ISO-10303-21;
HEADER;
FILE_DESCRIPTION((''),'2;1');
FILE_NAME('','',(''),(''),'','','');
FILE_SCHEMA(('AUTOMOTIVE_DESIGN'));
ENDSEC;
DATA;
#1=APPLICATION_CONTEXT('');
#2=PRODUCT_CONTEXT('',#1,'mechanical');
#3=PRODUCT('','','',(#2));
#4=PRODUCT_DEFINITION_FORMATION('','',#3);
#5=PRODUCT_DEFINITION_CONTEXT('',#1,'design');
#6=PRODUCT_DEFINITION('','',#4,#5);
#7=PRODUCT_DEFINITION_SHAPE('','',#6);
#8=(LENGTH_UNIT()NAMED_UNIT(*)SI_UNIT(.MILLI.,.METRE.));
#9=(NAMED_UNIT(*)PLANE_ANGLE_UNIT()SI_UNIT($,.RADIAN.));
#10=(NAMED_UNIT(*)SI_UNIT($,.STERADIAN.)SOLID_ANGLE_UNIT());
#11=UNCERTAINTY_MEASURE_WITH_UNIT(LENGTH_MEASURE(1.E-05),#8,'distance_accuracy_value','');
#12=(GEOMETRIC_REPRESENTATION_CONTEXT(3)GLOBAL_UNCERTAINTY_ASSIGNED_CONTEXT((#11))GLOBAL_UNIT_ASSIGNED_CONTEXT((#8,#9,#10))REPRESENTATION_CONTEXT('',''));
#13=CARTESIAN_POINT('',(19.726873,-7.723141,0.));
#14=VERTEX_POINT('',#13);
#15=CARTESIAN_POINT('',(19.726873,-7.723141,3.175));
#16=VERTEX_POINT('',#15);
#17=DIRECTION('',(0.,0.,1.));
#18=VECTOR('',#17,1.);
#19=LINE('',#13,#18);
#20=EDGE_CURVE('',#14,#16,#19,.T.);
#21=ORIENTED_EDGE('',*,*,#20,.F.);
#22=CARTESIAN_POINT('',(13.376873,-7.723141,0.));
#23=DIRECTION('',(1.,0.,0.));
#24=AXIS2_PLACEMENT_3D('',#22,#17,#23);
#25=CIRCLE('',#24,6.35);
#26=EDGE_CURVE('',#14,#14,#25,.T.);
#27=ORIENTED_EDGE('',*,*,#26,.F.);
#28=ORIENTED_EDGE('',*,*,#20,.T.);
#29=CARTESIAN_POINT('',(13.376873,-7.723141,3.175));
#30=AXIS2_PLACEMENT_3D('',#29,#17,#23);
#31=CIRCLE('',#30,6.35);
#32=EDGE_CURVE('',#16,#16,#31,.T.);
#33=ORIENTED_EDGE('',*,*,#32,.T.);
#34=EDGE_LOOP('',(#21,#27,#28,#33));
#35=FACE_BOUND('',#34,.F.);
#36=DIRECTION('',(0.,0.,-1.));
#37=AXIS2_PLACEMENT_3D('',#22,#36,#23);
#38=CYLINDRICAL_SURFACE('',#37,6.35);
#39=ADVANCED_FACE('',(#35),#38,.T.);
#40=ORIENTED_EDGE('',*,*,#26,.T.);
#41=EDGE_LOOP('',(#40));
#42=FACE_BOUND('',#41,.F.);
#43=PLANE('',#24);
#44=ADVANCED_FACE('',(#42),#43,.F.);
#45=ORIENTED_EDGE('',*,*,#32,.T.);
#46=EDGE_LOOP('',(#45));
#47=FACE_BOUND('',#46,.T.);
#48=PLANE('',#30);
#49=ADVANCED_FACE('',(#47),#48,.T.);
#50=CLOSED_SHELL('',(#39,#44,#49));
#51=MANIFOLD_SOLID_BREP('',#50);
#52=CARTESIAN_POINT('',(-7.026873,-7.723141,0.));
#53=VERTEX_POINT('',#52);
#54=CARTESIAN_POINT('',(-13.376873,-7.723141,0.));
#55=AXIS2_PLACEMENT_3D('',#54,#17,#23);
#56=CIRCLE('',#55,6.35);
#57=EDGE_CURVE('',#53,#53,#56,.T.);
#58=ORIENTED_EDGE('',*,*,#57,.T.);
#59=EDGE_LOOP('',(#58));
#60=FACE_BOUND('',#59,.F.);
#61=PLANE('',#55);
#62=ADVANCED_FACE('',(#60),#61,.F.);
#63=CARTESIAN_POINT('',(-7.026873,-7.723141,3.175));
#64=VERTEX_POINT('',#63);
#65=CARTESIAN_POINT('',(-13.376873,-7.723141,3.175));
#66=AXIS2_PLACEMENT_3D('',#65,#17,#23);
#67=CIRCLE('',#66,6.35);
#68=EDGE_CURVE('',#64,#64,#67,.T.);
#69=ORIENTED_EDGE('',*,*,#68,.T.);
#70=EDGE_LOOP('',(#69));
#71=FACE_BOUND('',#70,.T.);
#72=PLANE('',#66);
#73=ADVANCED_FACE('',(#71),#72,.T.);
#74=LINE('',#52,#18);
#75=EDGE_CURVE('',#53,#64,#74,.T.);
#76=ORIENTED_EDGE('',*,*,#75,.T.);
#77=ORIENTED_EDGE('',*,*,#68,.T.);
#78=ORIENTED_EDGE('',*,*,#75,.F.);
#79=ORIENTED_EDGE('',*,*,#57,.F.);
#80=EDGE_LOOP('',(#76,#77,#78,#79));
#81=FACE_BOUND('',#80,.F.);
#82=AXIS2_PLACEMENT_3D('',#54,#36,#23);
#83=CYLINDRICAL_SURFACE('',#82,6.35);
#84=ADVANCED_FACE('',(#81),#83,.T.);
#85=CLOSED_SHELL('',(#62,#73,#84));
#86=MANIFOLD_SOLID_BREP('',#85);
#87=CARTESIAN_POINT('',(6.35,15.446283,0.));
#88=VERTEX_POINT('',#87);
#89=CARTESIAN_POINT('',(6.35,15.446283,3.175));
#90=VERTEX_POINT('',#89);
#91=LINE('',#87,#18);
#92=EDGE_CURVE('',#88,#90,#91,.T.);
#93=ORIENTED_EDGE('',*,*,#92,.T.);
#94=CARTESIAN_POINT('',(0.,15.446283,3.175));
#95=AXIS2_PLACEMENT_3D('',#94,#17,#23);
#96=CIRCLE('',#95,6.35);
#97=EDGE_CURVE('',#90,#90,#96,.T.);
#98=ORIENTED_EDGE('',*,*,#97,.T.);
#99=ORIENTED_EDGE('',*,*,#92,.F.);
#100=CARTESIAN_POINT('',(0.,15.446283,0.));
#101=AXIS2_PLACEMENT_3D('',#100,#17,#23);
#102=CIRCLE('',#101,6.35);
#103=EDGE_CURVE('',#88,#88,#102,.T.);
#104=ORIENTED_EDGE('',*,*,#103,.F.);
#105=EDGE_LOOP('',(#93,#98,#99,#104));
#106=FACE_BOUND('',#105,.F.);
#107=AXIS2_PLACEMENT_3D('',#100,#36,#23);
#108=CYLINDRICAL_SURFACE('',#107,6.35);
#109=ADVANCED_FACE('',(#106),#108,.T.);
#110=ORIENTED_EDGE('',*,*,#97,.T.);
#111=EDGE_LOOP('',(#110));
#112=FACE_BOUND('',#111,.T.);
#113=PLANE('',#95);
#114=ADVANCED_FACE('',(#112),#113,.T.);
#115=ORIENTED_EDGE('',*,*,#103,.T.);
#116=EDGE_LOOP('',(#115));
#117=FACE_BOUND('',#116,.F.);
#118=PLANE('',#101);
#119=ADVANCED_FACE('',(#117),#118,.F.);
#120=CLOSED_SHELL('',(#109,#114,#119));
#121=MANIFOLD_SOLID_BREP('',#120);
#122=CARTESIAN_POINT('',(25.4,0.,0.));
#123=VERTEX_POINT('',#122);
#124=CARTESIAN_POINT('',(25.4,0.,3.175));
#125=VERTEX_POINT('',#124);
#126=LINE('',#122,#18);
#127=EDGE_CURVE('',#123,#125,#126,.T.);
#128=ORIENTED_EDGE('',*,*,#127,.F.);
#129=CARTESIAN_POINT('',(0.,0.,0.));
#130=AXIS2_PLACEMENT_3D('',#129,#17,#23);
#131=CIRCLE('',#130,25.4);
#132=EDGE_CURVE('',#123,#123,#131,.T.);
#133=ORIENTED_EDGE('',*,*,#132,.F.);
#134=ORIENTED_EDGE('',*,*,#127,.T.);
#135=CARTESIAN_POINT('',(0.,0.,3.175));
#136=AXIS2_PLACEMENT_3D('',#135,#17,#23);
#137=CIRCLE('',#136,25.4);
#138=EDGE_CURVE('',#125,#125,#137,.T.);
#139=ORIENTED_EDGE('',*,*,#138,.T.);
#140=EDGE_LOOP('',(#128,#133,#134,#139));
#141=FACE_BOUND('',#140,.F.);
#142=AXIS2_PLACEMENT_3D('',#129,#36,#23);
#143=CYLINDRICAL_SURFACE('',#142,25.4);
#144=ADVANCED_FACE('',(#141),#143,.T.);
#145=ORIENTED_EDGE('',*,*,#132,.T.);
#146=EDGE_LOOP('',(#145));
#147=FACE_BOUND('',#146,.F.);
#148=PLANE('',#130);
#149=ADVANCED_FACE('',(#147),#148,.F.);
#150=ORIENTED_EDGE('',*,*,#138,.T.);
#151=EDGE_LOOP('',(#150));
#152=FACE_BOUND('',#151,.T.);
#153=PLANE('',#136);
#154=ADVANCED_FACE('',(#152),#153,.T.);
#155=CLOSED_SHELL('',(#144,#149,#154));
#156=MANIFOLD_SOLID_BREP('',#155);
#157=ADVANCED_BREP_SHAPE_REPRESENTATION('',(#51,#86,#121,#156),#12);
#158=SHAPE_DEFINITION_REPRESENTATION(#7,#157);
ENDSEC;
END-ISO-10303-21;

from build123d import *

# Parameters (mm, degrees)
F0_R     = 25.4
F1_DEPTH = 3.175
F2_R     = 6.35
F3_DEPTH = 3.175


with BuildPart() as f1:
    # F0 (on Top) → F1 (new body)
    with BuildSketch(Plane.XY):
        Circle(F0_R)
    extrude(amount=F1_DEPTH)


with BuildPart() as f3:
    # F2 (on Top) → F3 (new body, through all)
    with BuildSketch(Plane.XY):
        with Locations((0, 15.446283)):
            Circle(F2_R)
        with Locations((-13.376873, -7.723141)):
            Circle(F2_R)
        with Locations((13.376873, -7.723141)):
            Circle(F2_R)
    extrude(amount=F3_DEPTH)


solid = Compound([f1.part, f3.part])
